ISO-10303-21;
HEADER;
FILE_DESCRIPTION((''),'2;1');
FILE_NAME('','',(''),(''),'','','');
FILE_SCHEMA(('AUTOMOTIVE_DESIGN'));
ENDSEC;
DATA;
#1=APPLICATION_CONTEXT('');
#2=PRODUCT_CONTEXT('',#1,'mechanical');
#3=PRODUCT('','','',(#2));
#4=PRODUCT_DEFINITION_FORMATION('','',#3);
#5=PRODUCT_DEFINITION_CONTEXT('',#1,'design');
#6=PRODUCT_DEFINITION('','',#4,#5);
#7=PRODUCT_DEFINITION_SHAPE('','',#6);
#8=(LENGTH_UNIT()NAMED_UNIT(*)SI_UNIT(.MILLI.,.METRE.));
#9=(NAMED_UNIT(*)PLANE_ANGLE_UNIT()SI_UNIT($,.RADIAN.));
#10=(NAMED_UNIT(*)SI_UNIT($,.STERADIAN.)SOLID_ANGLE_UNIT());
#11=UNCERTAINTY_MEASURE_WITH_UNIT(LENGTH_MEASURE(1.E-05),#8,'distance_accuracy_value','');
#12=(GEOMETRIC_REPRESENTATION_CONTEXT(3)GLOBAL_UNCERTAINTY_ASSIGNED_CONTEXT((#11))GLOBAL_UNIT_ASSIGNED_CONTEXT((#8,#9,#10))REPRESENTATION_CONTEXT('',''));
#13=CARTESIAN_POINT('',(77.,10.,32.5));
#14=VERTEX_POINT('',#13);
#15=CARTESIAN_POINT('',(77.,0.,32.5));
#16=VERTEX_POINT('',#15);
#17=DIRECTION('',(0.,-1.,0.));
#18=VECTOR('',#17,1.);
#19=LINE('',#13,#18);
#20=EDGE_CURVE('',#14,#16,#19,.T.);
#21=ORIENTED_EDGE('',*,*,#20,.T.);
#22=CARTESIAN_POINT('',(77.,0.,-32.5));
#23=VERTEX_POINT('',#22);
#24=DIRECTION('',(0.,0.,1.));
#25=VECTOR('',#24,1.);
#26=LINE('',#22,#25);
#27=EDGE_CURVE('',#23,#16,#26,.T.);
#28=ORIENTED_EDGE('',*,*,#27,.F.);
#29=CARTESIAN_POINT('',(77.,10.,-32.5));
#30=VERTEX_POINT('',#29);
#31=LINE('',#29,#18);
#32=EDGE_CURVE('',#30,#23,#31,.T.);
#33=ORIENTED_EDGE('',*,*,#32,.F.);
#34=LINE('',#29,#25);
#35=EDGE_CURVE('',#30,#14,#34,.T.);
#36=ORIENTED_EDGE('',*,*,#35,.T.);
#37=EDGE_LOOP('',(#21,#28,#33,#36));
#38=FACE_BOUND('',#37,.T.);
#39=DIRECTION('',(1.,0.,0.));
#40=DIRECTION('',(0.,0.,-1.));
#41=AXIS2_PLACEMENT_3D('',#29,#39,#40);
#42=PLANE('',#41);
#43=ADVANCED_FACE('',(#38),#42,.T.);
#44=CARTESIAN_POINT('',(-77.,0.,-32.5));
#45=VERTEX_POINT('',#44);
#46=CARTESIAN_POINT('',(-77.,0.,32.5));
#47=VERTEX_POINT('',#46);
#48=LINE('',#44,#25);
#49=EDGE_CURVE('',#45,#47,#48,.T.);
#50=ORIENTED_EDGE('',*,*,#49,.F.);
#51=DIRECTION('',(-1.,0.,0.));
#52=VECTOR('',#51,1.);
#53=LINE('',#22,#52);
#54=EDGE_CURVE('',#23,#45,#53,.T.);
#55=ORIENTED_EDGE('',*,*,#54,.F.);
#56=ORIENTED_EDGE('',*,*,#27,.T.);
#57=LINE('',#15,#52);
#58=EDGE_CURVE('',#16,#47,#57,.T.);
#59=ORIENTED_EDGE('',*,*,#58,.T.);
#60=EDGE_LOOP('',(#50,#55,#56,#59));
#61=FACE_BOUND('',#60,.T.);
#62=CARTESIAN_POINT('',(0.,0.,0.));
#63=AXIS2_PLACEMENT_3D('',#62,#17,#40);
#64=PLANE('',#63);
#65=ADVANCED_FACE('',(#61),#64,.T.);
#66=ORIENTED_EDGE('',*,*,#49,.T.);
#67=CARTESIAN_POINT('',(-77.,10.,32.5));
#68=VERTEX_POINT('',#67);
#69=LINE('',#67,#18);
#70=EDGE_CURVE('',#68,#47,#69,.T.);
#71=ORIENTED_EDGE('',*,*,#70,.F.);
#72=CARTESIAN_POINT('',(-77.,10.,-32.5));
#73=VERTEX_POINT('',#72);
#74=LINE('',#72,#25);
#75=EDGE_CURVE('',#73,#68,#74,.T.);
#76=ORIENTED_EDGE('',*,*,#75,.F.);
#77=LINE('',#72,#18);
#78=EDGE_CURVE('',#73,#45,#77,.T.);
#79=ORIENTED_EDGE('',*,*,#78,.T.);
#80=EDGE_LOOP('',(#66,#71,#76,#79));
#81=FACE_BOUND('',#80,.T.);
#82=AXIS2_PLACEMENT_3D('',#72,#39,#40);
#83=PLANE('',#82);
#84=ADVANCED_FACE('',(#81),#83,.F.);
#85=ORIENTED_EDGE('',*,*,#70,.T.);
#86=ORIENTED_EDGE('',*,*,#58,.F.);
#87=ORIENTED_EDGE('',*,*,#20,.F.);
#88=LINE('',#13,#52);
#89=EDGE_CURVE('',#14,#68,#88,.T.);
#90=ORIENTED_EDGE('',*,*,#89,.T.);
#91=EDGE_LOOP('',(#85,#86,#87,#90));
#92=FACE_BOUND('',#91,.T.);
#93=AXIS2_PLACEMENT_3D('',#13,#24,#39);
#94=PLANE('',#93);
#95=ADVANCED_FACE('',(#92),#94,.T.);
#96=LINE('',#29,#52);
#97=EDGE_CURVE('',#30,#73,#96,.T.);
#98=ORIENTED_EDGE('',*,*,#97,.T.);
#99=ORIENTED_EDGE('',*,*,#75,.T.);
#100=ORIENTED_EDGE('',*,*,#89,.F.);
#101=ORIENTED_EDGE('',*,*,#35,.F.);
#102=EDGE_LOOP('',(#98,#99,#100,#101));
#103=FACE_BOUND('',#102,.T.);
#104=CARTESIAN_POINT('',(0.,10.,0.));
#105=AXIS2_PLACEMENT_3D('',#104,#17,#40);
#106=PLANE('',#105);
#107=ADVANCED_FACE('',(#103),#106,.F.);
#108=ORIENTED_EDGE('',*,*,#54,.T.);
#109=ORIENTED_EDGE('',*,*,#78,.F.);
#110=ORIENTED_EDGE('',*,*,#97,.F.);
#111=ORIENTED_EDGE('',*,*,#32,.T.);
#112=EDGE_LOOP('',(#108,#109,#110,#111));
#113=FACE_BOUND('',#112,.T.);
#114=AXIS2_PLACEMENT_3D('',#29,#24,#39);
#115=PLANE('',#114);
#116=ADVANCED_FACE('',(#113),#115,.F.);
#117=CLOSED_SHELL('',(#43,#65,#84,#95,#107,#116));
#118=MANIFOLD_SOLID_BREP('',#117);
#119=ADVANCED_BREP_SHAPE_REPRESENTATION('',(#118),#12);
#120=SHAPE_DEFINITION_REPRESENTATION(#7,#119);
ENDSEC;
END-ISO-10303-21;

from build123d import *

# Parameters (mm, degrees)
SKETCH1_W  = 154
SKETCH1_H  = 65
BASE_DEPTH = 10


with BuildPart() as part:
    # Sketch1 → base (new body)
    with BuildSketch(Plane(origin=(0, 0, 0), x_dir=(1, 0, 0), z_dir=(0, 1, 0))):
        Rectangle(SKETCH1_W, SKETCH1_H)
    extrude(amount=BASE_DEPTH)


solid = part.part
